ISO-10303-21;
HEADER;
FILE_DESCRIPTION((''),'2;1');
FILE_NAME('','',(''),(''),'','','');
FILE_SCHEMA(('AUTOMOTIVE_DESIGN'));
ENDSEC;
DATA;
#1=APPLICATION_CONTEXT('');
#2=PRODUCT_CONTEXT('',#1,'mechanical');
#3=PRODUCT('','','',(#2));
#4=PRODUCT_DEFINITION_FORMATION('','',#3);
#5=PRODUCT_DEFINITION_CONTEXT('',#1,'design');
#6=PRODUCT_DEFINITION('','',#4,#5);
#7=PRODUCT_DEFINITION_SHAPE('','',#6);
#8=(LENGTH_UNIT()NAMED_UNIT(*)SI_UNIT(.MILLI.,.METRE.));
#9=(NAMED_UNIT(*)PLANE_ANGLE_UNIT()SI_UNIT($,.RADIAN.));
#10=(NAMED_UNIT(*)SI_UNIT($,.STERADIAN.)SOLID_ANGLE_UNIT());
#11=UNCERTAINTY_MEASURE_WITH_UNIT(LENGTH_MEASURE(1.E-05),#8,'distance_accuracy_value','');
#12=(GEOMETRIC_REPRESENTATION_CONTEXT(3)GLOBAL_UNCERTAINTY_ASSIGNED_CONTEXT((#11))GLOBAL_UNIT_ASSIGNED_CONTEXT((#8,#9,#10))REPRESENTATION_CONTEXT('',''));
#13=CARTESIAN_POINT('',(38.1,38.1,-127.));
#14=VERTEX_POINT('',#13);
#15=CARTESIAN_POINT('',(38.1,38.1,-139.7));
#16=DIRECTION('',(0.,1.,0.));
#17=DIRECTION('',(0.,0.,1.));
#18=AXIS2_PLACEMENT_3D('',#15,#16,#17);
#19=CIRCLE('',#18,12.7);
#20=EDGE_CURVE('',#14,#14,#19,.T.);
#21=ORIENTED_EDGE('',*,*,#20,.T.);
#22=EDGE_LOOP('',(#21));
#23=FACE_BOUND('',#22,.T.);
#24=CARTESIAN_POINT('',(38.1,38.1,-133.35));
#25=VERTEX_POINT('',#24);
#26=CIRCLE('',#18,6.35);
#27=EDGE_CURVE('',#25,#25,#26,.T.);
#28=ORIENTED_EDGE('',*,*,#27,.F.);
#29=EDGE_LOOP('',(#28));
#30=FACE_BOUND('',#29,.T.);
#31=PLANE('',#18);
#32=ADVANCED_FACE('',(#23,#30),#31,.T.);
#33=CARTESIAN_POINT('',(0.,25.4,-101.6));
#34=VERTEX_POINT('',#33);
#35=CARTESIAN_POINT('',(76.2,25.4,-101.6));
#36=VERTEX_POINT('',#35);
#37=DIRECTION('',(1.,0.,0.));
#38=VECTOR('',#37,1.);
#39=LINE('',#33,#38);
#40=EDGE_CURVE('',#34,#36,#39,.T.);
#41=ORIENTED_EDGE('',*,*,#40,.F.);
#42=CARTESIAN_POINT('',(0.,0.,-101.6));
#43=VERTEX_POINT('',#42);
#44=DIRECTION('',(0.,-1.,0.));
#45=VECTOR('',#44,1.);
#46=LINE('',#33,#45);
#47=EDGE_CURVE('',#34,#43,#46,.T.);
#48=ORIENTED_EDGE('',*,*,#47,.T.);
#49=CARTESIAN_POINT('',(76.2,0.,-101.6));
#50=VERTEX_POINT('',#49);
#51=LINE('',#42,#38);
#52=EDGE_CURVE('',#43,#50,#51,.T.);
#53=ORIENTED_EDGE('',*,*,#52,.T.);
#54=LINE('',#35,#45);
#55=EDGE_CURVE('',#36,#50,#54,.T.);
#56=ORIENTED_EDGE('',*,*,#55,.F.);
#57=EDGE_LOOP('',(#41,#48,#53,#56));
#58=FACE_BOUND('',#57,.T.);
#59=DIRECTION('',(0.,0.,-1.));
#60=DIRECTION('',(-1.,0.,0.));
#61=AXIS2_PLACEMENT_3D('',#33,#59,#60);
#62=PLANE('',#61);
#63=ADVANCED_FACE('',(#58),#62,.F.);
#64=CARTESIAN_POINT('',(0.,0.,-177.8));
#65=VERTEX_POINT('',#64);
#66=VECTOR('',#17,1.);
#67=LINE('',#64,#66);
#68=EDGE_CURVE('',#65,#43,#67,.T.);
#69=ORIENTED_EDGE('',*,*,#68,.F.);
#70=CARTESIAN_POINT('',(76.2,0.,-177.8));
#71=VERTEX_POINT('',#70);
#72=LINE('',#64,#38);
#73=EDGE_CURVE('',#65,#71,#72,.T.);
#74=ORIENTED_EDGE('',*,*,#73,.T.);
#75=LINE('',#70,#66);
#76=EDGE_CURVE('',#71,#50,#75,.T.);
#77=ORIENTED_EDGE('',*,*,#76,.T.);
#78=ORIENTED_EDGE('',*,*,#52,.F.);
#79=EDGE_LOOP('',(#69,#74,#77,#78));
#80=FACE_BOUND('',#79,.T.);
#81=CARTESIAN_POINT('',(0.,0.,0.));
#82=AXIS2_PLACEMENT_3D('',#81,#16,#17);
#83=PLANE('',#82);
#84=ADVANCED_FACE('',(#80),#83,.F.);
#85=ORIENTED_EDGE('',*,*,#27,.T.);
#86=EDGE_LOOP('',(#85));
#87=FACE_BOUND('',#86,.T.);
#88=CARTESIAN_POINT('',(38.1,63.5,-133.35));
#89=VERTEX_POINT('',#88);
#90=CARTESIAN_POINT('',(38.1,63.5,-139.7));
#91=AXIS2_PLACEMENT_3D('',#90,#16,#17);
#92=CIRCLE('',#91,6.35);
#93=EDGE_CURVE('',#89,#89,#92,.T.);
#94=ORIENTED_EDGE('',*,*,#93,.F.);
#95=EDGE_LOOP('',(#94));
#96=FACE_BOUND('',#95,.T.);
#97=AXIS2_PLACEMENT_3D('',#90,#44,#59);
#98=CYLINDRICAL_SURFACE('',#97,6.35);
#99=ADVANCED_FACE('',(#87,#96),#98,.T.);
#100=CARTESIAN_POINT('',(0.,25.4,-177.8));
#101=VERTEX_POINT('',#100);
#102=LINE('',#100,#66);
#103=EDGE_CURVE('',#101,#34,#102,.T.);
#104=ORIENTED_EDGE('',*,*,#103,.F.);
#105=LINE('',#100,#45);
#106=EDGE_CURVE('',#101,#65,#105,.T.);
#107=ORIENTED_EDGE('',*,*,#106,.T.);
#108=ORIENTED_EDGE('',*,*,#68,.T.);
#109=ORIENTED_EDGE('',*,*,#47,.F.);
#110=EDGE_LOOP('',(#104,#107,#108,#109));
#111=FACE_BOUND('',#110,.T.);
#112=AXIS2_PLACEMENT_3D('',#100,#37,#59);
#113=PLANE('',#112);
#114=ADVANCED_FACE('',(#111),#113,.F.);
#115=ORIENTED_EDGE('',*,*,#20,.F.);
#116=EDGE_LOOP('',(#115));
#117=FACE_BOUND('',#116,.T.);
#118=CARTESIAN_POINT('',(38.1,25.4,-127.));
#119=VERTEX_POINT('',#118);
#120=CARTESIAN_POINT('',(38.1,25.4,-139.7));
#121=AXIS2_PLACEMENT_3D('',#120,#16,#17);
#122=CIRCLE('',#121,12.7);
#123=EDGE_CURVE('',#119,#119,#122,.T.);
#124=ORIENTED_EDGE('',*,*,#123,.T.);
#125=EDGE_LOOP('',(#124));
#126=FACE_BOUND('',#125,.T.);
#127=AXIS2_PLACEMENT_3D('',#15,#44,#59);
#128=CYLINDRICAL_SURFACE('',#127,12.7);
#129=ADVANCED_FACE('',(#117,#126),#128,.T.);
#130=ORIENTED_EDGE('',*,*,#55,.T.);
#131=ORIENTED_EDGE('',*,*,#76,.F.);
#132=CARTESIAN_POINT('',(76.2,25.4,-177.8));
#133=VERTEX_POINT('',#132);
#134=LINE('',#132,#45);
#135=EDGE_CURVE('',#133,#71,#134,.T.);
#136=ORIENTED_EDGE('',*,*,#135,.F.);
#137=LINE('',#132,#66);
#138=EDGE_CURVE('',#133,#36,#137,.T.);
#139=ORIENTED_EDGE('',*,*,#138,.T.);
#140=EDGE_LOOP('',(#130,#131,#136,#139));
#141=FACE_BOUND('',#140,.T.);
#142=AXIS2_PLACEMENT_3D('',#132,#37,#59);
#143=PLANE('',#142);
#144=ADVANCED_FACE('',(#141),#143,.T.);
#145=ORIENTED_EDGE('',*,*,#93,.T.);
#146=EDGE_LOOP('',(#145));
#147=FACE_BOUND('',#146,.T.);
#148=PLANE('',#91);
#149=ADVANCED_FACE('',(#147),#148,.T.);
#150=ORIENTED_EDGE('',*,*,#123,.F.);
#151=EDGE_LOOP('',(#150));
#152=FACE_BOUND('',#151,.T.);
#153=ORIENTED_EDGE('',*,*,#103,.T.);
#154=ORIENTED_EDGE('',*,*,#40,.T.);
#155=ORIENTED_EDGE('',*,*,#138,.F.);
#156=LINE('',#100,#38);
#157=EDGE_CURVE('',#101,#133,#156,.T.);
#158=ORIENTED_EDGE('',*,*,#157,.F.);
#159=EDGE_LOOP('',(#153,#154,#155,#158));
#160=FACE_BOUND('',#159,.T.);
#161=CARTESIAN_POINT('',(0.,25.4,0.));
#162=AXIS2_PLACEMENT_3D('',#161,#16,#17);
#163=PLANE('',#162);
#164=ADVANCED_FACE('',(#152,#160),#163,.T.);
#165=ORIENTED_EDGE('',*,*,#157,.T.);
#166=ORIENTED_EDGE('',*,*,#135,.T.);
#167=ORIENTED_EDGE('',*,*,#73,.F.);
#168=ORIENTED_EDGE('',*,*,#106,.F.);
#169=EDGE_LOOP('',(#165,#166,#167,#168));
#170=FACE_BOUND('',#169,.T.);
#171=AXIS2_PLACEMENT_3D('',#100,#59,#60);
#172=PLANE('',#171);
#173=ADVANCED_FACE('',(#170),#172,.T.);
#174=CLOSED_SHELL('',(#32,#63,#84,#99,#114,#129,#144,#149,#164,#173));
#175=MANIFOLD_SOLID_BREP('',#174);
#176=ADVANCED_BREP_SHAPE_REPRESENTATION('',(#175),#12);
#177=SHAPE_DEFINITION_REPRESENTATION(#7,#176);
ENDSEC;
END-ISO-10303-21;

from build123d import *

# Parameters (mm, degrees)
SKETCH1_W           = 76.2
SKETCH1_H           = 76.2
BOSS_EXTRUDE1_DEPTH = 25.4
SKETCH2_R           = 12.7
BOSS_EXTRUDE2_DEPTH = 12.7
SKETCH3_R           = 6.35
BOSS_EXTRUDE3_DEPTH = 25.4


with BuildPart() as part:
    # Sketch1 → Boss-Extrude1 (new body)
    with BuildSketch(Plane(origin=(0, 0, 0), x_dir=(1, 0, 0), z_dir=(0, 1, 0))):
        with Locations((38.1, 139.7)):
            Rectangle(SKETCH1_W, SKETCH1_H)
    extrude(amount=BOSS_EXTRUDE1_DEPTH)

    # Sketch2 → Boss-Extrude2 (add)
    with BuildSketch(Plane(origin=(0, 25.4, 0), x_dir=(1, 0, 0), z_dir=(0, 1, 0))):
        with Locations(Location((38.1, 139.7, 0), (0, 0, 270))):
            Circle(SKETCH2_R)
    extrude(amount=BOSS_EXTRUDE2_DEPTH)

    # Sketch3 → Boss-Extrude3 (add)
    with BuildSketch(Plane(origin=(0, 38.1, 0), x_dir=(1, 0, 0), z_dir=(0, 1, 0))):
        with Locations(Location((38.1, 139.7, 0), (0, 0, 270))):
            Circle(SKETCH3_R)
    extrude(amount=BOSS_EXTRUDE3_DEPTH)


solid = part.part
